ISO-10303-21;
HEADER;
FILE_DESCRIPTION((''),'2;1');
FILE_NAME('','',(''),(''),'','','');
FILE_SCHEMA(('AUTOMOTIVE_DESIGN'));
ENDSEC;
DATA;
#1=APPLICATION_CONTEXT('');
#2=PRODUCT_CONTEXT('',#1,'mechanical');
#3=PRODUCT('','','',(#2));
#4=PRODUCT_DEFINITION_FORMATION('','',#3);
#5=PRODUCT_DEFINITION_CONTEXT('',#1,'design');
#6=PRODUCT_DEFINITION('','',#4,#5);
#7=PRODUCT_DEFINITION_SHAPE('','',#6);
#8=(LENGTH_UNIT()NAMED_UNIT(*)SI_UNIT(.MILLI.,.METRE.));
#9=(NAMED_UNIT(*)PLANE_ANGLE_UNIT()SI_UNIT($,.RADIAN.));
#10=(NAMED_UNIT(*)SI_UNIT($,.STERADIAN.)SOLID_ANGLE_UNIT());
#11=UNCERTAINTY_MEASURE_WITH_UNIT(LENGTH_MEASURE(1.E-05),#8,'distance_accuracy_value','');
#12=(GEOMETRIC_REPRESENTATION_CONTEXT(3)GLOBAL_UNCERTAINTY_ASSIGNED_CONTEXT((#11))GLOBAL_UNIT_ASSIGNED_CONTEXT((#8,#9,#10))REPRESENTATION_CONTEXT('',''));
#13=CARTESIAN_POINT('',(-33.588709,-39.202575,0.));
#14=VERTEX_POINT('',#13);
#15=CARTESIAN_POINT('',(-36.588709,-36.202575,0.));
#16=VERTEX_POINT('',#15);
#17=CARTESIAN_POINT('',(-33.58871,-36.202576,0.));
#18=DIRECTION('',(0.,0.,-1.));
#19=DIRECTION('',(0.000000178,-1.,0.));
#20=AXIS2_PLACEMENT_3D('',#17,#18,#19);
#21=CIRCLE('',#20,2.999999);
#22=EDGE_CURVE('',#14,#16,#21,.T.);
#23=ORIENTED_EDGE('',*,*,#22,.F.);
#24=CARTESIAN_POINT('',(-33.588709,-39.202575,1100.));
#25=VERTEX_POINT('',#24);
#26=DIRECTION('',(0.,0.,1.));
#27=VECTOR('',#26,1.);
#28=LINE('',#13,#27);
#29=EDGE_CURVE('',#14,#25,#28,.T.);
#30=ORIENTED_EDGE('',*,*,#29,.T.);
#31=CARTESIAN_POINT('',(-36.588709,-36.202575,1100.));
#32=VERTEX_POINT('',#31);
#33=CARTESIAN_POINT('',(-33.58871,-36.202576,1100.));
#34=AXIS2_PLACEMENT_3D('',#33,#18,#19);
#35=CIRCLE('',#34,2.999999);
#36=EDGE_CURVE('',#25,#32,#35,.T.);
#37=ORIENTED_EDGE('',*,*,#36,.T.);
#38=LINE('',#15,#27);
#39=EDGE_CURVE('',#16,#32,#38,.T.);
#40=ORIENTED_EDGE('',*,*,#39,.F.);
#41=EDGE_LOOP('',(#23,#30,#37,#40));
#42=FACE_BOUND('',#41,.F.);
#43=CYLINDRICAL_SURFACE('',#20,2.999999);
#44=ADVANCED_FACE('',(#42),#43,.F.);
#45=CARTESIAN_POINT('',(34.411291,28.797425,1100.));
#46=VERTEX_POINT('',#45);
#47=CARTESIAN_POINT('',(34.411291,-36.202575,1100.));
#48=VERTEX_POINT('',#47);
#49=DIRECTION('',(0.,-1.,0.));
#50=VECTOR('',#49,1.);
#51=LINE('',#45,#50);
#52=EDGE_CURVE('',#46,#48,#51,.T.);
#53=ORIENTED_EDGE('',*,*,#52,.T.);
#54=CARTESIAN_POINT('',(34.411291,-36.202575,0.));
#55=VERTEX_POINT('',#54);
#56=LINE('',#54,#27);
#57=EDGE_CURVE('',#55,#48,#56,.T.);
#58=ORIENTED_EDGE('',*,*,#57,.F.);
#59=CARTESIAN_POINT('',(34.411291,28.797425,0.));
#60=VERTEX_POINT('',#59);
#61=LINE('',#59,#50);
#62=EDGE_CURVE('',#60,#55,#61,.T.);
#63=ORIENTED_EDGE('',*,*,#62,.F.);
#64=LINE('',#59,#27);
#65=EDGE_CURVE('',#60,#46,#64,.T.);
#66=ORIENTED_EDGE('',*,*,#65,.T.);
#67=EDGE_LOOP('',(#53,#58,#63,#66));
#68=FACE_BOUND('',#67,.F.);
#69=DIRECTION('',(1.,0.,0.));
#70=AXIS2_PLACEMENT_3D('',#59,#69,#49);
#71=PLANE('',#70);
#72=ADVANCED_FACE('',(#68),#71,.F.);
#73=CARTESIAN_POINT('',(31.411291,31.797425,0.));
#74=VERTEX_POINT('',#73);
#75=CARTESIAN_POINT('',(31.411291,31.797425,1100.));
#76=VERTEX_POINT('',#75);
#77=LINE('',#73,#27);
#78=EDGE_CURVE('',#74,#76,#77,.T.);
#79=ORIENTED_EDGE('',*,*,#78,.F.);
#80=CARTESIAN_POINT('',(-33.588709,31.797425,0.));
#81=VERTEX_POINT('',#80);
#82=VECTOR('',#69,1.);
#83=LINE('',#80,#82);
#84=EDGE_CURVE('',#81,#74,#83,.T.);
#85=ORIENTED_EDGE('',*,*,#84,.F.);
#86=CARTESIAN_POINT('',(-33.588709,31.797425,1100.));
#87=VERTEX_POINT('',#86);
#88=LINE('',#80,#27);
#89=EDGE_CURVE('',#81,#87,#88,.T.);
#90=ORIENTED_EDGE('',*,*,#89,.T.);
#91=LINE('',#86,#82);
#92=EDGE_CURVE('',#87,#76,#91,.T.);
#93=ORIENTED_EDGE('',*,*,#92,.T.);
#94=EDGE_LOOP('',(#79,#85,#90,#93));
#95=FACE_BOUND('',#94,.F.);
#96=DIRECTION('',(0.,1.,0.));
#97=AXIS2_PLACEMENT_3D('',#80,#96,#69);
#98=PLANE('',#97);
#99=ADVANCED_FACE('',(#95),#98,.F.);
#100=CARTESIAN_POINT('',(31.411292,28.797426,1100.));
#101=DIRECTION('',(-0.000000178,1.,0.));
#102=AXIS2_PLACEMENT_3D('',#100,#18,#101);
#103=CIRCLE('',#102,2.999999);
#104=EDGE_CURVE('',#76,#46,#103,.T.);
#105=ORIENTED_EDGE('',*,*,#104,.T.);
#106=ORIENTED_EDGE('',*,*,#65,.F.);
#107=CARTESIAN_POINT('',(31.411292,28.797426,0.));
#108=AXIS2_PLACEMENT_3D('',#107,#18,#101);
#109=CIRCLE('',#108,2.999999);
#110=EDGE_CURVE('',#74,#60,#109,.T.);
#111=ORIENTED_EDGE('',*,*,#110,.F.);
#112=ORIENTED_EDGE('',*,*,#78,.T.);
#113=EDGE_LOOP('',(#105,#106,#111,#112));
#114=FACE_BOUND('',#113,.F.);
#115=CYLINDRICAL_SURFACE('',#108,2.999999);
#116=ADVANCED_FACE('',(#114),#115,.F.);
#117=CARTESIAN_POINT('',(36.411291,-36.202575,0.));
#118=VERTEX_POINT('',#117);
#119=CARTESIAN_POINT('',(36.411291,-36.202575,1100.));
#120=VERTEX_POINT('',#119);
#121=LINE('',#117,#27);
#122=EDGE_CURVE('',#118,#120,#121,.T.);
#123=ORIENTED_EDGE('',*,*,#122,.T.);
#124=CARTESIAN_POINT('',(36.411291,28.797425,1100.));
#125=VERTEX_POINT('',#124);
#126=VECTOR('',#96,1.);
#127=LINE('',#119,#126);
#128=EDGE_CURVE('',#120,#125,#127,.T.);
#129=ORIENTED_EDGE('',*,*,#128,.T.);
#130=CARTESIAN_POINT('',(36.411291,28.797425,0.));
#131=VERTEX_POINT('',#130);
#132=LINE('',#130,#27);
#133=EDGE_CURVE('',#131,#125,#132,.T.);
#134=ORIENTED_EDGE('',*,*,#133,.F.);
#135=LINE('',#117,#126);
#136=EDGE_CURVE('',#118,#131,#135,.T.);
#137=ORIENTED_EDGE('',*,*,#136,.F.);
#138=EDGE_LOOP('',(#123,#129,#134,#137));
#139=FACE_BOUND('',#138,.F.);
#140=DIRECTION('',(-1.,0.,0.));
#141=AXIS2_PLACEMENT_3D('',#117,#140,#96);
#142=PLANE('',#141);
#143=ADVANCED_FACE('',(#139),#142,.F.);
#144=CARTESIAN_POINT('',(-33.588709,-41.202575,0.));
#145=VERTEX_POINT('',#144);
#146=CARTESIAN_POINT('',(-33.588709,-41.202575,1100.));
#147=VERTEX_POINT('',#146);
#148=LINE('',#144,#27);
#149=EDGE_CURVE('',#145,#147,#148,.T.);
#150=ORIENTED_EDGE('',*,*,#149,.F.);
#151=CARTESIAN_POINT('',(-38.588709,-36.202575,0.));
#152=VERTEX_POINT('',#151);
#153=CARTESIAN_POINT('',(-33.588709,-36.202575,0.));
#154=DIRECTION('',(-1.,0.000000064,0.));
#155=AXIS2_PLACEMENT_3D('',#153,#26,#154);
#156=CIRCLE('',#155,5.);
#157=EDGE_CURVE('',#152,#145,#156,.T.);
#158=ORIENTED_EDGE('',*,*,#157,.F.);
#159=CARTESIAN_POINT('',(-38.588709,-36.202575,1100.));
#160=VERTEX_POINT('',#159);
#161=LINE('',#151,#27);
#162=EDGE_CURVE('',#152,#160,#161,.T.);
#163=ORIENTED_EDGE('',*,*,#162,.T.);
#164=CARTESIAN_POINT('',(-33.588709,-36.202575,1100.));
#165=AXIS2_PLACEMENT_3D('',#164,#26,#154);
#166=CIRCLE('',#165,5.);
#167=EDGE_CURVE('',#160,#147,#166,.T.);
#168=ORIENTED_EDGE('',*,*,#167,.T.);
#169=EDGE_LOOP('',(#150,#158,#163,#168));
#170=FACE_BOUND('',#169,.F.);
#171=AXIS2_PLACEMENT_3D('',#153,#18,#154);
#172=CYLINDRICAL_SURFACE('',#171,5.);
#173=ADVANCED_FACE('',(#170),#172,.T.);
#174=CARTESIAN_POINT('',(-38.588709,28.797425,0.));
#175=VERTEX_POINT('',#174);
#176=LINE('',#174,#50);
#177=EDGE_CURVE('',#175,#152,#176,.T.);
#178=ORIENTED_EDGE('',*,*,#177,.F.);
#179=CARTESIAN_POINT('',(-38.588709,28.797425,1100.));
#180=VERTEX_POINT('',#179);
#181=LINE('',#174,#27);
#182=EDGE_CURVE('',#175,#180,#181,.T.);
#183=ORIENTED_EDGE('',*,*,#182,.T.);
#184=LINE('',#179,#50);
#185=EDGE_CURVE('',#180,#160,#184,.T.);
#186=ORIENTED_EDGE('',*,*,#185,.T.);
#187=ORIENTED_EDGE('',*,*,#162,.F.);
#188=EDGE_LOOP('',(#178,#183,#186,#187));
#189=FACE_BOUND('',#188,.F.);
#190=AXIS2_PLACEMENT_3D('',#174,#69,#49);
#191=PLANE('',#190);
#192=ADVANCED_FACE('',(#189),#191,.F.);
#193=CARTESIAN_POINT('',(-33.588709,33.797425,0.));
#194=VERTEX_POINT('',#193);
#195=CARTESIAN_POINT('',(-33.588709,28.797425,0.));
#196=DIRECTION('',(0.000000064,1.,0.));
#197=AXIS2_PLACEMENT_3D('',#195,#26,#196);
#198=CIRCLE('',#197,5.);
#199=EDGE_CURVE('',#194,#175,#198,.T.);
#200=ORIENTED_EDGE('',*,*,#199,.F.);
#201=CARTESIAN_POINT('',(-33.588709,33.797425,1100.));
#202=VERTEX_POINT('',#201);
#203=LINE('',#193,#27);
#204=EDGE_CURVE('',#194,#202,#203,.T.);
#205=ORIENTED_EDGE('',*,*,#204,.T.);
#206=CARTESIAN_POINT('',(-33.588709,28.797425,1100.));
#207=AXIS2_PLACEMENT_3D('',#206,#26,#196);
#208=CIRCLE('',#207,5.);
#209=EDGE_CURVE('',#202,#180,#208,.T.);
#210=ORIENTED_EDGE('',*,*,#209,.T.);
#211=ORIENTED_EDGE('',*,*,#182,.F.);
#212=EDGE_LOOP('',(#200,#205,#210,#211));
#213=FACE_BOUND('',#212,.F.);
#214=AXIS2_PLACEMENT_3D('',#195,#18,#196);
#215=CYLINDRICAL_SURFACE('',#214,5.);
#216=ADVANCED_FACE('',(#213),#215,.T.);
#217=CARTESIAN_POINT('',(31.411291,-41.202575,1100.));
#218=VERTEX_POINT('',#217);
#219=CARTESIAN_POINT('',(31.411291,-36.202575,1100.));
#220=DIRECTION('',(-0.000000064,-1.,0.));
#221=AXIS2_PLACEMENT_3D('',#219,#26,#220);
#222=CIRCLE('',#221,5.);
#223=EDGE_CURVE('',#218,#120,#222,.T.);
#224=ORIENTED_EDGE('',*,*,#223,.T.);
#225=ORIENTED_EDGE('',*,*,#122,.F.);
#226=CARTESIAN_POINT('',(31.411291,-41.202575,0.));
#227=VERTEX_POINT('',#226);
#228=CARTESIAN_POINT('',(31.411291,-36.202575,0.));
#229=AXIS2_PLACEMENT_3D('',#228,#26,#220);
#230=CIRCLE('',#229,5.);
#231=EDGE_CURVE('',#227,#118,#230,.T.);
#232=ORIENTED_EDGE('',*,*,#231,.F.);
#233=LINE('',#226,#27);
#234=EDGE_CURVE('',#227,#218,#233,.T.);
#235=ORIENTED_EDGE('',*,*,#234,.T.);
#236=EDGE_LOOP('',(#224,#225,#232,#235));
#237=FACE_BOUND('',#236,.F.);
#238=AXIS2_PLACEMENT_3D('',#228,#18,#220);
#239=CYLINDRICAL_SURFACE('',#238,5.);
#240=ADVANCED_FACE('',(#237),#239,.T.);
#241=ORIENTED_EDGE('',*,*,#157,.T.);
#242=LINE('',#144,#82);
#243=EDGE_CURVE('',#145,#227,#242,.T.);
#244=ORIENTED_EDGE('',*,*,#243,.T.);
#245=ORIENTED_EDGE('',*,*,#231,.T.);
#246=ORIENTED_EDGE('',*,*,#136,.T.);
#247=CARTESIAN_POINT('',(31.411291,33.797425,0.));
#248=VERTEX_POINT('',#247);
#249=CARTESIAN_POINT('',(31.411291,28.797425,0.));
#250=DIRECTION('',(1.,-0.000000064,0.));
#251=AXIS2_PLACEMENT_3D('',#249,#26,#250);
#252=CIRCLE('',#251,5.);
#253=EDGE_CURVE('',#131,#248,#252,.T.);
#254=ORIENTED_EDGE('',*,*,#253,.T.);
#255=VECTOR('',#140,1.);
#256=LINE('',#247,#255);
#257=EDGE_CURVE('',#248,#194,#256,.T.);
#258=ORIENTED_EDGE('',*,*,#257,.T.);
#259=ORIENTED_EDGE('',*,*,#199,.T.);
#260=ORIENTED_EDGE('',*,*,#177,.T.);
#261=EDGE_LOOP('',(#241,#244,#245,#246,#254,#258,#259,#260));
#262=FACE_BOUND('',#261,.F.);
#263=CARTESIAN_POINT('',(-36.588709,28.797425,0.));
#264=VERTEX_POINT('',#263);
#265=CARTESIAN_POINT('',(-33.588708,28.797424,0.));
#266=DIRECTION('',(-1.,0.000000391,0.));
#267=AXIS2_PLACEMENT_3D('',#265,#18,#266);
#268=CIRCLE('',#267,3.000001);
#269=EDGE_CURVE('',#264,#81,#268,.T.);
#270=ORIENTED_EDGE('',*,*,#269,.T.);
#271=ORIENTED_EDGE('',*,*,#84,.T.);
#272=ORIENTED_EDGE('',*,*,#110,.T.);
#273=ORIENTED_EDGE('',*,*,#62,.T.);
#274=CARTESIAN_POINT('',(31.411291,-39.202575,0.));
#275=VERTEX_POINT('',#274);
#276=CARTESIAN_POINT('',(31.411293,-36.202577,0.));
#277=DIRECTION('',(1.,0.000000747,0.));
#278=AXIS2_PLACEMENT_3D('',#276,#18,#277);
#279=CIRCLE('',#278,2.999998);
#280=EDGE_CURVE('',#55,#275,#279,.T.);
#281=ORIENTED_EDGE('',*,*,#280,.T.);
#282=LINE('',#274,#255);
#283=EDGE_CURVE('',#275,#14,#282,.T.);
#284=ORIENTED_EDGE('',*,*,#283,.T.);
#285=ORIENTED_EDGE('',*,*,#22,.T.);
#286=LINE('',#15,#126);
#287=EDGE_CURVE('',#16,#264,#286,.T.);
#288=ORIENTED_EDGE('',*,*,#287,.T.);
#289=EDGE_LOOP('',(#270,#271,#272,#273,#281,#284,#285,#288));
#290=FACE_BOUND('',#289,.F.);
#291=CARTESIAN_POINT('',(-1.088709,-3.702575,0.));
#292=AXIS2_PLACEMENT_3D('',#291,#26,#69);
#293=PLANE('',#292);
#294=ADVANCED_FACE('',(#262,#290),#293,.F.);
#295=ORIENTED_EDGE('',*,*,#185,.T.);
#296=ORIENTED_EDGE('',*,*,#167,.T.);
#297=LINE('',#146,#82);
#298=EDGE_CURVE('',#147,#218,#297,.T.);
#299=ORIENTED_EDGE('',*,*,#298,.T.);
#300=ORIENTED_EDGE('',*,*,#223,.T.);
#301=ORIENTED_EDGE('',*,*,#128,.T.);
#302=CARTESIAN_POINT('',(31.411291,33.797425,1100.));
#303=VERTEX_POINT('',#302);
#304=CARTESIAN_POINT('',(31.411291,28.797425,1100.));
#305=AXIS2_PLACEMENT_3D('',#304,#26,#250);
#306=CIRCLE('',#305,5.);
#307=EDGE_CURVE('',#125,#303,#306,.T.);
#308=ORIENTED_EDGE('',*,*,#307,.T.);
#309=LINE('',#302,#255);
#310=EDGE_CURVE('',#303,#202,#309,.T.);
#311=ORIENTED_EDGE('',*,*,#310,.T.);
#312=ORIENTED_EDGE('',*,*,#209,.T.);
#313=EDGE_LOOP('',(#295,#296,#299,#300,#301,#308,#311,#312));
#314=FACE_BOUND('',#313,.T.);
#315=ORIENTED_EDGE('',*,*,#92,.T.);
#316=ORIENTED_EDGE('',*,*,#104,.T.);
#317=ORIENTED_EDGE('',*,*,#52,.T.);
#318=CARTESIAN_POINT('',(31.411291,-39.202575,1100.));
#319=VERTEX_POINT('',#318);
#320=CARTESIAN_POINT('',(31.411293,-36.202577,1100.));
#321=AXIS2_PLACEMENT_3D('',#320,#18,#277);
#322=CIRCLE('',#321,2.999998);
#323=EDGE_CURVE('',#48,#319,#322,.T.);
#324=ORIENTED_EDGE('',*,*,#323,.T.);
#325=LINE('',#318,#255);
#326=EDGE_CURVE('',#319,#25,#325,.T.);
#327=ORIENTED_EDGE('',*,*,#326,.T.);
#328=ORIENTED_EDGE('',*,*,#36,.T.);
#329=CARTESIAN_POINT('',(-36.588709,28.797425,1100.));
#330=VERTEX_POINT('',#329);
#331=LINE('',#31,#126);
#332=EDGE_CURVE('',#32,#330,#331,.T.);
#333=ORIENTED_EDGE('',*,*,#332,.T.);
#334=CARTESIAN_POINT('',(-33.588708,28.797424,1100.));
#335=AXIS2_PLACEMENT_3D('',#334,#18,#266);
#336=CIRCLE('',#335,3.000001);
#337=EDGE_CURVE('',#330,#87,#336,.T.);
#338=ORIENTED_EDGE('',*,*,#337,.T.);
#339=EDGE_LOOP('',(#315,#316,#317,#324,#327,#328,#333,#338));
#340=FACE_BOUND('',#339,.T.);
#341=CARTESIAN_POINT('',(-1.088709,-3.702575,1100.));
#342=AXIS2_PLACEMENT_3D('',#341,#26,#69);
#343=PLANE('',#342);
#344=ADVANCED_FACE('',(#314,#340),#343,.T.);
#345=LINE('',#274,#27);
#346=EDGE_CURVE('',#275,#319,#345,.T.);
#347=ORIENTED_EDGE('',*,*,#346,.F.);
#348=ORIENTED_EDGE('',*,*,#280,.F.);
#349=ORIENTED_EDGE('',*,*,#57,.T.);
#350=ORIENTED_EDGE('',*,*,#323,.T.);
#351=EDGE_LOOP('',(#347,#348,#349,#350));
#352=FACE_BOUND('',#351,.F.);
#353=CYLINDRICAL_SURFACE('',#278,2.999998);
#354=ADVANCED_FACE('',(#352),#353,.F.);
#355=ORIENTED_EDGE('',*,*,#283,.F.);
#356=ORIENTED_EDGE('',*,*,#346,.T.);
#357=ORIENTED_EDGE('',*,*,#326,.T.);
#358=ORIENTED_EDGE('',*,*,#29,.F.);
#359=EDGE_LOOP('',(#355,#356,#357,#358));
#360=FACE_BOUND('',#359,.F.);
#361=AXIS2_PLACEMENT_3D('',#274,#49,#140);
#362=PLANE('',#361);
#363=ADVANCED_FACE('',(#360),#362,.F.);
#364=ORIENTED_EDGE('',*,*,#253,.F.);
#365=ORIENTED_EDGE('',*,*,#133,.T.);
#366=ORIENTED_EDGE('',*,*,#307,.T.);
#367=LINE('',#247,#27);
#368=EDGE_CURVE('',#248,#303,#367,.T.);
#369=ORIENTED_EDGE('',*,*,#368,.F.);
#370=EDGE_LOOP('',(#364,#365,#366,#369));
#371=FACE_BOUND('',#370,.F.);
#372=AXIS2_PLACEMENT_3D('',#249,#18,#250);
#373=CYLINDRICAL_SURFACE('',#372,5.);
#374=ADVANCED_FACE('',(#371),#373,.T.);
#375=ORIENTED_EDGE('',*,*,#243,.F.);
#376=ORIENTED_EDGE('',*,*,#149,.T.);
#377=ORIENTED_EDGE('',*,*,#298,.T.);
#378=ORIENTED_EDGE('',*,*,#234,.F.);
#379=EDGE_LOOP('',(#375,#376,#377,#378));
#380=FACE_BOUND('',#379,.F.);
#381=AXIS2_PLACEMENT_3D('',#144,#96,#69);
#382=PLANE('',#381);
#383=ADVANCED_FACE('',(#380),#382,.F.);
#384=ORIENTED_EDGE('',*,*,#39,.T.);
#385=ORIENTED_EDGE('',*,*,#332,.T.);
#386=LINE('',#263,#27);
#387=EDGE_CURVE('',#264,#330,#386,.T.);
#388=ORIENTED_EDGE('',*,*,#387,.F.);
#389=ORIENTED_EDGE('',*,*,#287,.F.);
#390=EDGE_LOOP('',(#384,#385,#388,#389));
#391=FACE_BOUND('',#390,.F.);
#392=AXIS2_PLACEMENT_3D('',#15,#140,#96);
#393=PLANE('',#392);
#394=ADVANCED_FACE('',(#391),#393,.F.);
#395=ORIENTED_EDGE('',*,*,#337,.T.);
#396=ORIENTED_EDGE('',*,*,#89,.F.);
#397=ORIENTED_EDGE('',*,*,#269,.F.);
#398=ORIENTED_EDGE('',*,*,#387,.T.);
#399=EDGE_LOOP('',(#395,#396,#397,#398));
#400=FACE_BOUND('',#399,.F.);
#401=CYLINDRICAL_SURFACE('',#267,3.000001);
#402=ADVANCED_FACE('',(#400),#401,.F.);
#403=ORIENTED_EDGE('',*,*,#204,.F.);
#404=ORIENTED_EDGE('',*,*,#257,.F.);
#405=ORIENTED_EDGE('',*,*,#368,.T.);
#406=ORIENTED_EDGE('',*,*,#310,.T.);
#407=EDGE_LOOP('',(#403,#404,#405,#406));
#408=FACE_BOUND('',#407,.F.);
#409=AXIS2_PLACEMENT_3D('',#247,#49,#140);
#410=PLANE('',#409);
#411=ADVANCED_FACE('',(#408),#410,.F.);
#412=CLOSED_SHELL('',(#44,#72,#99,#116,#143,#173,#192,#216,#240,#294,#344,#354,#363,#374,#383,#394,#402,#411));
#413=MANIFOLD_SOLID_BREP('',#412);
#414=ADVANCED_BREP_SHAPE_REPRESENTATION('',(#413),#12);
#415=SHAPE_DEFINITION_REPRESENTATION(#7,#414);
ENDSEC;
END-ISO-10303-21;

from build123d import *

# Parameters (mm, degrees)
F1_DEPTH = 1100


with BuildPart() as f1:
    # F0 (on Top) → F1 (new body)
    with BuildSketch(Plane.XY):
        with BuildLine():
            Line((31.411291, 33.797425), (-33.588709, 33.797425))
            ThreePointArc((-33.588709, 33.797425), (-37.124243, 32.332959), (-38.588709, 28.797425))
            Line((-38.588709, 28.797425), (-38.588709, -36.202575))
            ThreePointArc((-38.588709, -36.202575), (-37.124243, -39.738109), (-33.588709, -41.202575))
            Line((-33.588709, -41.202575), (31.411291, -41.202575))
            ThreePointArc((31.411291, -41.202575), (34.946825, -39.738109), (36.411291, -36.202575))
            Line((36.411291, -36.202575), (36.411291, 28.797425))
            ThreePointArc((36.411291, 28.797425), (34.946825, 32.332959), (31.411291, 33.797425))
        make_face()
        with BuildLine():
            Line((31.411291, -39.202575), (-33.588709, -39.202575))
            ThreePointArc((-33.588709, -39.202575), (-35.710029, -38.323896), (-36.588709, -36.202575))
            Line((-36.588709, -36.202575), (-36.588709, 28.797425))
            ThreePointArc((-36.588709, 28.797425), (-35.710029, 30.918745), (-33.588709, 31.797425))
            Line((-33.588709, 31.797425), (31.411291, 31.797425))
            ThreePointArc((31.411291, 31.797425), (33.532612, 30.918745), (34.411291, 28.797425))
            Line((34.411291, 28.797425), (34.411291, -36.202575))
            ThreePointArc((34.411291, -36.202575), (33.532612, -38.323896), (31.411291, -39.202575))
        make_face(mode=Mode.SUBTRACT)
    extrude(amount=F1_DEPTH)


solid = f1.part
